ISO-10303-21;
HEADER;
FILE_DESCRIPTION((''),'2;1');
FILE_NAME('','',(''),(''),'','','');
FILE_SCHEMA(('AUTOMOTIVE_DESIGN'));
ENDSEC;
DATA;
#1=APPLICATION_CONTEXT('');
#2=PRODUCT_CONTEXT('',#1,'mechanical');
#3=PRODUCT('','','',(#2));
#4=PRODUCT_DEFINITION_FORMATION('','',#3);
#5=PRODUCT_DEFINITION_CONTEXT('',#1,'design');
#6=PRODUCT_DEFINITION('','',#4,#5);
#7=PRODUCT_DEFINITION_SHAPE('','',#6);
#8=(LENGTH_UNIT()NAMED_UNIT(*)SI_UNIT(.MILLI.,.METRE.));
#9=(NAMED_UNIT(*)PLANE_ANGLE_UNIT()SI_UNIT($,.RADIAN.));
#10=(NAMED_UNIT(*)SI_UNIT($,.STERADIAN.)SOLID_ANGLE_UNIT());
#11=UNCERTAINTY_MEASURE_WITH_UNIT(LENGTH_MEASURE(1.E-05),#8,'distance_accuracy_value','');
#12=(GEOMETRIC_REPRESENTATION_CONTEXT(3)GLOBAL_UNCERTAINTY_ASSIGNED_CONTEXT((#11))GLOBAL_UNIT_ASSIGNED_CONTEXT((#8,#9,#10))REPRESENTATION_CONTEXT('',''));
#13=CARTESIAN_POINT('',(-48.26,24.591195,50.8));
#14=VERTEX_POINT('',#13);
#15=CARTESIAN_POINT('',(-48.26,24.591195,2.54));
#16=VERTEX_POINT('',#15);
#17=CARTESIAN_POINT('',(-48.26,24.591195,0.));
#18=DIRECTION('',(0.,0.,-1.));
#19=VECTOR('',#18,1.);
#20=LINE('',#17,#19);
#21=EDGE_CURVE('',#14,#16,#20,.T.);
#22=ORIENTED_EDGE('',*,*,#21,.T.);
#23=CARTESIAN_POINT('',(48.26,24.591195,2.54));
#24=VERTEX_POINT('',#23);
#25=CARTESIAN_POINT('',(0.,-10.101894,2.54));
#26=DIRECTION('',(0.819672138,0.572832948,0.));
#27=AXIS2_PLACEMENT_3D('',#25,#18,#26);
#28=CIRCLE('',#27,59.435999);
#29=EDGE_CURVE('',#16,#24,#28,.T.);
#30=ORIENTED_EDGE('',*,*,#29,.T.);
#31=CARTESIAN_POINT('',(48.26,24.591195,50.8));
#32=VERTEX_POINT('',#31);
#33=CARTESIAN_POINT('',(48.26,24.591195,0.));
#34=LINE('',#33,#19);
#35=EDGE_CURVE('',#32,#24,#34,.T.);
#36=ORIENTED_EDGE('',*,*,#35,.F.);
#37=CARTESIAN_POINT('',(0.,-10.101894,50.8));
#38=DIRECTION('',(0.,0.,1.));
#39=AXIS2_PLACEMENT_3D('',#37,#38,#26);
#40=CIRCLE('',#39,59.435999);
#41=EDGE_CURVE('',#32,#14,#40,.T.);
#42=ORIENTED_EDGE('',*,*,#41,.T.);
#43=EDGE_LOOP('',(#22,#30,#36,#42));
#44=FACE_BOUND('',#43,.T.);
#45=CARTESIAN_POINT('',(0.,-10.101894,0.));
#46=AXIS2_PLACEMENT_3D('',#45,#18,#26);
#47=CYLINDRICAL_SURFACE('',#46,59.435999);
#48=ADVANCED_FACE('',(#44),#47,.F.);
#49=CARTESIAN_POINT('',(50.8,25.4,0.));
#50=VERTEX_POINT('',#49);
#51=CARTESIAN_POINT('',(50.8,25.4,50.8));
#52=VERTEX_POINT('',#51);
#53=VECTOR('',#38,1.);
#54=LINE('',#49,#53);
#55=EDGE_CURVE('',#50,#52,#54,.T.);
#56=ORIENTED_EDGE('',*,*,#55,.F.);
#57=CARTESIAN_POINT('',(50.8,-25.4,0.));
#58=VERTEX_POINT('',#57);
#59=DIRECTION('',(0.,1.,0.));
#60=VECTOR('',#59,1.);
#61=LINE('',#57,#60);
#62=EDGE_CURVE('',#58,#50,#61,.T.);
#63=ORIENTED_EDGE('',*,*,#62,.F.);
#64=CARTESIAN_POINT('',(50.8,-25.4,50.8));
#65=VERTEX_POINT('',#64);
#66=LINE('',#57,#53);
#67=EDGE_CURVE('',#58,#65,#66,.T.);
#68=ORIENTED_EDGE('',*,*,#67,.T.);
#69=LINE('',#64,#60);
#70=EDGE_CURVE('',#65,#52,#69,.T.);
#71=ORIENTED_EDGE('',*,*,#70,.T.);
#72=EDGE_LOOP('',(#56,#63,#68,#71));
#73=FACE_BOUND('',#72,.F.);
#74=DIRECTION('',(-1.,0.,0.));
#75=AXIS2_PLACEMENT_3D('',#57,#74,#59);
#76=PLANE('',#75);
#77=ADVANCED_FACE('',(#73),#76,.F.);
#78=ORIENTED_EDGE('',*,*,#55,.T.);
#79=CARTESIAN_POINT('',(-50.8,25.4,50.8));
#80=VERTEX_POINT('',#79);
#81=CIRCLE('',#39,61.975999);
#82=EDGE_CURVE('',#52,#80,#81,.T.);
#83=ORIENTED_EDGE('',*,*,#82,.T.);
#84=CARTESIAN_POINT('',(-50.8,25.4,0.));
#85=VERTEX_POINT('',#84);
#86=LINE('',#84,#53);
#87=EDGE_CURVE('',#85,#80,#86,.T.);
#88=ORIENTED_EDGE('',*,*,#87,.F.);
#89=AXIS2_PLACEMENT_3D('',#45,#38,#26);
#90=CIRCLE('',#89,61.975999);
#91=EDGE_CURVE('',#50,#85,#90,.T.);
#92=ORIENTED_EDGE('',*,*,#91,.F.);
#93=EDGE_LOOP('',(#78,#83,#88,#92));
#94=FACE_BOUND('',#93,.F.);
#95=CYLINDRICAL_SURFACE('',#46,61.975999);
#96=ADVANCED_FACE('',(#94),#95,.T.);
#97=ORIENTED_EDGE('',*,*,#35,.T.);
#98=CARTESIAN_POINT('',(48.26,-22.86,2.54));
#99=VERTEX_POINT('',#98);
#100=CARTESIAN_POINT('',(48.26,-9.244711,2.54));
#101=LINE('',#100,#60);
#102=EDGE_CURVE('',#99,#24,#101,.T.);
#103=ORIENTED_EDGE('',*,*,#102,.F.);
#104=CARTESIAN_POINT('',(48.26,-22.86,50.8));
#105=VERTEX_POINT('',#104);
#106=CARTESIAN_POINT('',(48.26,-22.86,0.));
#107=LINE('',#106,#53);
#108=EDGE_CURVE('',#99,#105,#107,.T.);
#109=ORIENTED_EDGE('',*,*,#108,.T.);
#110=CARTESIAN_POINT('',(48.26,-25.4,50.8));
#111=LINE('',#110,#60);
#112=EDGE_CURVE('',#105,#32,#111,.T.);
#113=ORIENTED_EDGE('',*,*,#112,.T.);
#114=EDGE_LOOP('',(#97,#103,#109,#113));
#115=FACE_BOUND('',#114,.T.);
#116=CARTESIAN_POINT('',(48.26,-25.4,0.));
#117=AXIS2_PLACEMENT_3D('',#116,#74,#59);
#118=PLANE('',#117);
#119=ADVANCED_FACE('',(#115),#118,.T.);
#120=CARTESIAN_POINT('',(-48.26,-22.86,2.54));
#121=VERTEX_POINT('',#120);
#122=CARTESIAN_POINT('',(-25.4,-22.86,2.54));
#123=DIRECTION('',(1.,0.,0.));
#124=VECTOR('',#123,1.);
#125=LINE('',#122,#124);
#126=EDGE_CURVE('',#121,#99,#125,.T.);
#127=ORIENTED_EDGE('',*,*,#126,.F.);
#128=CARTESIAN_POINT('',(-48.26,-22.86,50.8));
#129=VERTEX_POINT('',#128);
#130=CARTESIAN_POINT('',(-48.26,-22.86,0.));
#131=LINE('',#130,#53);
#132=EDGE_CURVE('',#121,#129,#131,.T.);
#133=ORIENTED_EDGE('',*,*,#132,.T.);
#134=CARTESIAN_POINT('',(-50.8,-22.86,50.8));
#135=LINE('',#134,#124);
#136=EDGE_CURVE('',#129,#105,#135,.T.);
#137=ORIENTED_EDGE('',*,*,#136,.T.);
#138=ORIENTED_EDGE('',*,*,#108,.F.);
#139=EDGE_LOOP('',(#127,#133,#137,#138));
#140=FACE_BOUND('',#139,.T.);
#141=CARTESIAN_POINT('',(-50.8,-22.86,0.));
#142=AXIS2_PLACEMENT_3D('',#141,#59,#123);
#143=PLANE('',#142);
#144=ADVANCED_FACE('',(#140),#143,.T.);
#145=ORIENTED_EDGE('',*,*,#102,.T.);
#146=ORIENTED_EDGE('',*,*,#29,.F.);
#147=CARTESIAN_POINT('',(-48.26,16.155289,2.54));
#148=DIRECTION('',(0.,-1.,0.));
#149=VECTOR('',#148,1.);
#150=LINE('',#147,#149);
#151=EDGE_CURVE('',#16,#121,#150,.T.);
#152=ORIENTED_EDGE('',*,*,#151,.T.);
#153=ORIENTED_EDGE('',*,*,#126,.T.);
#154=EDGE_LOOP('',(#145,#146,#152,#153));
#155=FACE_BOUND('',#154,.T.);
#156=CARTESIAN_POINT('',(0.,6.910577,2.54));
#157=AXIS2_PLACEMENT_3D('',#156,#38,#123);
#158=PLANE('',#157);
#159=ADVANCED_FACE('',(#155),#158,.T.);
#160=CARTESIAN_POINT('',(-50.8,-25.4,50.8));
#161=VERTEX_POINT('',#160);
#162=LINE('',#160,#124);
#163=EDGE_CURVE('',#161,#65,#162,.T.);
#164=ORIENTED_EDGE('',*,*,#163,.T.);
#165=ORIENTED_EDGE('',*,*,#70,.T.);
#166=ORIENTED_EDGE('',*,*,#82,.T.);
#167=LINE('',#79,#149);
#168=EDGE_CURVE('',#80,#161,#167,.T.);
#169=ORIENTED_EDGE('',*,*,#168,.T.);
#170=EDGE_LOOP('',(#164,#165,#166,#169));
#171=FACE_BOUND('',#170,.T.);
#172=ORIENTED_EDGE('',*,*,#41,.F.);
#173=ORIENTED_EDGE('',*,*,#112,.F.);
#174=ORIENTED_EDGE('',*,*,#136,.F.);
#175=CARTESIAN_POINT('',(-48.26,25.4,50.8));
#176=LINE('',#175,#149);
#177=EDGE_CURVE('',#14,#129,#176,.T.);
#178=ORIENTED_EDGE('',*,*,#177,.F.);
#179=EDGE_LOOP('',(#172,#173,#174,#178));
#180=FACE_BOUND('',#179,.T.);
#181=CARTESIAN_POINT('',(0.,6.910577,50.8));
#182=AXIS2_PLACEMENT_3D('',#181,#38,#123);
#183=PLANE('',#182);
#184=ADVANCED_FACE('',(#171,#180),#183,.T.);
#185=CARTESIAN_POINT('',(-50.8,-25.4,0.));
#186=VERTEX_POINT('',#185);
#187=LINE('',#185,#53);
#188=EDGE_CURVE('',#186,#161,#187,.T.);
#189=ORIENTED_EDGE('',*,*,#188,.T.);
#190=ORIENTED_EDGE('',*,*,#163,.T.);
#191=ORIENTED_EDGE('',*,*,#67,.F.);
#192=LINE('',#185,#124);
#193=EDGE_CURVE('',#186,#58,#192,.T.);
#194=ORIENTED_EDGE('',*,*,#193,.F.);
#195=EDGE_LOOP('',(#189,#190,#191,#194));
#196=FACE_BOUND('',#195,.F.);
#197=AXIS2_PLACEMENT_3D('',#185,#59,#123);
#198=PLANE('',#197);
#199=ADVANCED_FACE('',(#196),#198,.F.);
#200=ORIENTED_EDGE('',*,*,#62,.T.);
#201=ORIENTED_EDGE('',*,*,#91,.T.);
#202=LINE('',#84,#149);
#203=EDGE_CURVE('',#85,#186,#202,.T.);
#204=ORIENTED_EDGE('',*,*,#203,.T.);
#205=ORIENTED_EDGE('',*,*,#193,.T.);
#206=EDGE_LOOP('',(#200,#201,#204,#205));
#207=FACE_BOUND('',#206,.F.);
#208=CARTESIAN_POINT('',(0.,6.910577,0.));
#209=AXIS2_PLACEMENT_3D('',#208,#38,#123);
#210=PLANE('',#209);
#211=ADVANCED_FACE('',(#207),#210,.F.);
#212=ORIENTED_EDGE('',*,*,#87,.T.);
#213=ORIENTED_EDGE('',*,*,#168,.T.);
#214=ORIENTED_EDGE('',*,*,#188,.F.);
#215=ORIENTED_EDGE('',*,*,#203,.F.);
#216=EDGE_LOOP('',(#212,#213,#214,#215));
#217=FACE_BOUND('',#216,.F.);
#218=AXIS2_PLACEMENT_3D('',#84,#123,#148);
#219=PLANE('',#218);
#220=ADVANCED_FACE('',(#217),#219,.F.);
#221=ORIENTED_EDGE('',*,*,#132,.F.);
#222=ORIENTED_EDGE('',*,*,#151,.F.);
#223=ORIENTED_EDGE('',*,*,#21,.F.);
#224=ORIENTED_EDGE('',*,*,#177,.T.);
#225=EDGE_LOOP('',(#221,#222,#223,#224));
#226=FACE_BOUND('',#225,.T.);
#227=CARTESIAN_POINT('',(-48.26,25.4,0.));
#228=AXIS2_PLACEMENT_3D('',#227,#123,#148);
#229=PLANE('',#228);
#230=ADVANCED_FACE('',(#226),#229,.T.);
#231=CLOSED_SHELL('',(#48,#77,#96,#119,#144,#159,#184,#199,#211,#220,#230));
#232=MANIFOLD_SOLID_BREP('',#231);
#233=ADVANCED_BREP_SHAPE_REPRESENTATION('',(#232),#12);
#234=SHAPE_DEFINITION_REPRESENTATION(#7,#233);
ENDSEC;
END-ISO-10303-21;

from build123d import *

# Parameters (mm, degrees)
F1_DEPTH = 50.8
F2_T     = -2.54


with BuildPart() as f1:
    # F0 (on Top) → F1 (new body)
    with BuildSketch(Plane.XY):
        with BuildLine():
            Line((-50.8, 25.4), (-50.8, -25.4))
            Line((-50.8, -25.4), (50.8, -25.4))
            Line((50.8, -25.4), (50.8, 25.4))
            ThreePointArc((50.8, 25.4), (0, 51.874105), (-50.8, 25.4))
        make_face()
    extrude(amount=F1_DEPTH)

    # F2
    f2_openings = [f1.faces().sort_by_distance(p)[0] for p in [
        (0, 9.695027, 50.8),
    ]]
    offset(amount=F2_T, openings=f2_openings)


solid = f1.part
